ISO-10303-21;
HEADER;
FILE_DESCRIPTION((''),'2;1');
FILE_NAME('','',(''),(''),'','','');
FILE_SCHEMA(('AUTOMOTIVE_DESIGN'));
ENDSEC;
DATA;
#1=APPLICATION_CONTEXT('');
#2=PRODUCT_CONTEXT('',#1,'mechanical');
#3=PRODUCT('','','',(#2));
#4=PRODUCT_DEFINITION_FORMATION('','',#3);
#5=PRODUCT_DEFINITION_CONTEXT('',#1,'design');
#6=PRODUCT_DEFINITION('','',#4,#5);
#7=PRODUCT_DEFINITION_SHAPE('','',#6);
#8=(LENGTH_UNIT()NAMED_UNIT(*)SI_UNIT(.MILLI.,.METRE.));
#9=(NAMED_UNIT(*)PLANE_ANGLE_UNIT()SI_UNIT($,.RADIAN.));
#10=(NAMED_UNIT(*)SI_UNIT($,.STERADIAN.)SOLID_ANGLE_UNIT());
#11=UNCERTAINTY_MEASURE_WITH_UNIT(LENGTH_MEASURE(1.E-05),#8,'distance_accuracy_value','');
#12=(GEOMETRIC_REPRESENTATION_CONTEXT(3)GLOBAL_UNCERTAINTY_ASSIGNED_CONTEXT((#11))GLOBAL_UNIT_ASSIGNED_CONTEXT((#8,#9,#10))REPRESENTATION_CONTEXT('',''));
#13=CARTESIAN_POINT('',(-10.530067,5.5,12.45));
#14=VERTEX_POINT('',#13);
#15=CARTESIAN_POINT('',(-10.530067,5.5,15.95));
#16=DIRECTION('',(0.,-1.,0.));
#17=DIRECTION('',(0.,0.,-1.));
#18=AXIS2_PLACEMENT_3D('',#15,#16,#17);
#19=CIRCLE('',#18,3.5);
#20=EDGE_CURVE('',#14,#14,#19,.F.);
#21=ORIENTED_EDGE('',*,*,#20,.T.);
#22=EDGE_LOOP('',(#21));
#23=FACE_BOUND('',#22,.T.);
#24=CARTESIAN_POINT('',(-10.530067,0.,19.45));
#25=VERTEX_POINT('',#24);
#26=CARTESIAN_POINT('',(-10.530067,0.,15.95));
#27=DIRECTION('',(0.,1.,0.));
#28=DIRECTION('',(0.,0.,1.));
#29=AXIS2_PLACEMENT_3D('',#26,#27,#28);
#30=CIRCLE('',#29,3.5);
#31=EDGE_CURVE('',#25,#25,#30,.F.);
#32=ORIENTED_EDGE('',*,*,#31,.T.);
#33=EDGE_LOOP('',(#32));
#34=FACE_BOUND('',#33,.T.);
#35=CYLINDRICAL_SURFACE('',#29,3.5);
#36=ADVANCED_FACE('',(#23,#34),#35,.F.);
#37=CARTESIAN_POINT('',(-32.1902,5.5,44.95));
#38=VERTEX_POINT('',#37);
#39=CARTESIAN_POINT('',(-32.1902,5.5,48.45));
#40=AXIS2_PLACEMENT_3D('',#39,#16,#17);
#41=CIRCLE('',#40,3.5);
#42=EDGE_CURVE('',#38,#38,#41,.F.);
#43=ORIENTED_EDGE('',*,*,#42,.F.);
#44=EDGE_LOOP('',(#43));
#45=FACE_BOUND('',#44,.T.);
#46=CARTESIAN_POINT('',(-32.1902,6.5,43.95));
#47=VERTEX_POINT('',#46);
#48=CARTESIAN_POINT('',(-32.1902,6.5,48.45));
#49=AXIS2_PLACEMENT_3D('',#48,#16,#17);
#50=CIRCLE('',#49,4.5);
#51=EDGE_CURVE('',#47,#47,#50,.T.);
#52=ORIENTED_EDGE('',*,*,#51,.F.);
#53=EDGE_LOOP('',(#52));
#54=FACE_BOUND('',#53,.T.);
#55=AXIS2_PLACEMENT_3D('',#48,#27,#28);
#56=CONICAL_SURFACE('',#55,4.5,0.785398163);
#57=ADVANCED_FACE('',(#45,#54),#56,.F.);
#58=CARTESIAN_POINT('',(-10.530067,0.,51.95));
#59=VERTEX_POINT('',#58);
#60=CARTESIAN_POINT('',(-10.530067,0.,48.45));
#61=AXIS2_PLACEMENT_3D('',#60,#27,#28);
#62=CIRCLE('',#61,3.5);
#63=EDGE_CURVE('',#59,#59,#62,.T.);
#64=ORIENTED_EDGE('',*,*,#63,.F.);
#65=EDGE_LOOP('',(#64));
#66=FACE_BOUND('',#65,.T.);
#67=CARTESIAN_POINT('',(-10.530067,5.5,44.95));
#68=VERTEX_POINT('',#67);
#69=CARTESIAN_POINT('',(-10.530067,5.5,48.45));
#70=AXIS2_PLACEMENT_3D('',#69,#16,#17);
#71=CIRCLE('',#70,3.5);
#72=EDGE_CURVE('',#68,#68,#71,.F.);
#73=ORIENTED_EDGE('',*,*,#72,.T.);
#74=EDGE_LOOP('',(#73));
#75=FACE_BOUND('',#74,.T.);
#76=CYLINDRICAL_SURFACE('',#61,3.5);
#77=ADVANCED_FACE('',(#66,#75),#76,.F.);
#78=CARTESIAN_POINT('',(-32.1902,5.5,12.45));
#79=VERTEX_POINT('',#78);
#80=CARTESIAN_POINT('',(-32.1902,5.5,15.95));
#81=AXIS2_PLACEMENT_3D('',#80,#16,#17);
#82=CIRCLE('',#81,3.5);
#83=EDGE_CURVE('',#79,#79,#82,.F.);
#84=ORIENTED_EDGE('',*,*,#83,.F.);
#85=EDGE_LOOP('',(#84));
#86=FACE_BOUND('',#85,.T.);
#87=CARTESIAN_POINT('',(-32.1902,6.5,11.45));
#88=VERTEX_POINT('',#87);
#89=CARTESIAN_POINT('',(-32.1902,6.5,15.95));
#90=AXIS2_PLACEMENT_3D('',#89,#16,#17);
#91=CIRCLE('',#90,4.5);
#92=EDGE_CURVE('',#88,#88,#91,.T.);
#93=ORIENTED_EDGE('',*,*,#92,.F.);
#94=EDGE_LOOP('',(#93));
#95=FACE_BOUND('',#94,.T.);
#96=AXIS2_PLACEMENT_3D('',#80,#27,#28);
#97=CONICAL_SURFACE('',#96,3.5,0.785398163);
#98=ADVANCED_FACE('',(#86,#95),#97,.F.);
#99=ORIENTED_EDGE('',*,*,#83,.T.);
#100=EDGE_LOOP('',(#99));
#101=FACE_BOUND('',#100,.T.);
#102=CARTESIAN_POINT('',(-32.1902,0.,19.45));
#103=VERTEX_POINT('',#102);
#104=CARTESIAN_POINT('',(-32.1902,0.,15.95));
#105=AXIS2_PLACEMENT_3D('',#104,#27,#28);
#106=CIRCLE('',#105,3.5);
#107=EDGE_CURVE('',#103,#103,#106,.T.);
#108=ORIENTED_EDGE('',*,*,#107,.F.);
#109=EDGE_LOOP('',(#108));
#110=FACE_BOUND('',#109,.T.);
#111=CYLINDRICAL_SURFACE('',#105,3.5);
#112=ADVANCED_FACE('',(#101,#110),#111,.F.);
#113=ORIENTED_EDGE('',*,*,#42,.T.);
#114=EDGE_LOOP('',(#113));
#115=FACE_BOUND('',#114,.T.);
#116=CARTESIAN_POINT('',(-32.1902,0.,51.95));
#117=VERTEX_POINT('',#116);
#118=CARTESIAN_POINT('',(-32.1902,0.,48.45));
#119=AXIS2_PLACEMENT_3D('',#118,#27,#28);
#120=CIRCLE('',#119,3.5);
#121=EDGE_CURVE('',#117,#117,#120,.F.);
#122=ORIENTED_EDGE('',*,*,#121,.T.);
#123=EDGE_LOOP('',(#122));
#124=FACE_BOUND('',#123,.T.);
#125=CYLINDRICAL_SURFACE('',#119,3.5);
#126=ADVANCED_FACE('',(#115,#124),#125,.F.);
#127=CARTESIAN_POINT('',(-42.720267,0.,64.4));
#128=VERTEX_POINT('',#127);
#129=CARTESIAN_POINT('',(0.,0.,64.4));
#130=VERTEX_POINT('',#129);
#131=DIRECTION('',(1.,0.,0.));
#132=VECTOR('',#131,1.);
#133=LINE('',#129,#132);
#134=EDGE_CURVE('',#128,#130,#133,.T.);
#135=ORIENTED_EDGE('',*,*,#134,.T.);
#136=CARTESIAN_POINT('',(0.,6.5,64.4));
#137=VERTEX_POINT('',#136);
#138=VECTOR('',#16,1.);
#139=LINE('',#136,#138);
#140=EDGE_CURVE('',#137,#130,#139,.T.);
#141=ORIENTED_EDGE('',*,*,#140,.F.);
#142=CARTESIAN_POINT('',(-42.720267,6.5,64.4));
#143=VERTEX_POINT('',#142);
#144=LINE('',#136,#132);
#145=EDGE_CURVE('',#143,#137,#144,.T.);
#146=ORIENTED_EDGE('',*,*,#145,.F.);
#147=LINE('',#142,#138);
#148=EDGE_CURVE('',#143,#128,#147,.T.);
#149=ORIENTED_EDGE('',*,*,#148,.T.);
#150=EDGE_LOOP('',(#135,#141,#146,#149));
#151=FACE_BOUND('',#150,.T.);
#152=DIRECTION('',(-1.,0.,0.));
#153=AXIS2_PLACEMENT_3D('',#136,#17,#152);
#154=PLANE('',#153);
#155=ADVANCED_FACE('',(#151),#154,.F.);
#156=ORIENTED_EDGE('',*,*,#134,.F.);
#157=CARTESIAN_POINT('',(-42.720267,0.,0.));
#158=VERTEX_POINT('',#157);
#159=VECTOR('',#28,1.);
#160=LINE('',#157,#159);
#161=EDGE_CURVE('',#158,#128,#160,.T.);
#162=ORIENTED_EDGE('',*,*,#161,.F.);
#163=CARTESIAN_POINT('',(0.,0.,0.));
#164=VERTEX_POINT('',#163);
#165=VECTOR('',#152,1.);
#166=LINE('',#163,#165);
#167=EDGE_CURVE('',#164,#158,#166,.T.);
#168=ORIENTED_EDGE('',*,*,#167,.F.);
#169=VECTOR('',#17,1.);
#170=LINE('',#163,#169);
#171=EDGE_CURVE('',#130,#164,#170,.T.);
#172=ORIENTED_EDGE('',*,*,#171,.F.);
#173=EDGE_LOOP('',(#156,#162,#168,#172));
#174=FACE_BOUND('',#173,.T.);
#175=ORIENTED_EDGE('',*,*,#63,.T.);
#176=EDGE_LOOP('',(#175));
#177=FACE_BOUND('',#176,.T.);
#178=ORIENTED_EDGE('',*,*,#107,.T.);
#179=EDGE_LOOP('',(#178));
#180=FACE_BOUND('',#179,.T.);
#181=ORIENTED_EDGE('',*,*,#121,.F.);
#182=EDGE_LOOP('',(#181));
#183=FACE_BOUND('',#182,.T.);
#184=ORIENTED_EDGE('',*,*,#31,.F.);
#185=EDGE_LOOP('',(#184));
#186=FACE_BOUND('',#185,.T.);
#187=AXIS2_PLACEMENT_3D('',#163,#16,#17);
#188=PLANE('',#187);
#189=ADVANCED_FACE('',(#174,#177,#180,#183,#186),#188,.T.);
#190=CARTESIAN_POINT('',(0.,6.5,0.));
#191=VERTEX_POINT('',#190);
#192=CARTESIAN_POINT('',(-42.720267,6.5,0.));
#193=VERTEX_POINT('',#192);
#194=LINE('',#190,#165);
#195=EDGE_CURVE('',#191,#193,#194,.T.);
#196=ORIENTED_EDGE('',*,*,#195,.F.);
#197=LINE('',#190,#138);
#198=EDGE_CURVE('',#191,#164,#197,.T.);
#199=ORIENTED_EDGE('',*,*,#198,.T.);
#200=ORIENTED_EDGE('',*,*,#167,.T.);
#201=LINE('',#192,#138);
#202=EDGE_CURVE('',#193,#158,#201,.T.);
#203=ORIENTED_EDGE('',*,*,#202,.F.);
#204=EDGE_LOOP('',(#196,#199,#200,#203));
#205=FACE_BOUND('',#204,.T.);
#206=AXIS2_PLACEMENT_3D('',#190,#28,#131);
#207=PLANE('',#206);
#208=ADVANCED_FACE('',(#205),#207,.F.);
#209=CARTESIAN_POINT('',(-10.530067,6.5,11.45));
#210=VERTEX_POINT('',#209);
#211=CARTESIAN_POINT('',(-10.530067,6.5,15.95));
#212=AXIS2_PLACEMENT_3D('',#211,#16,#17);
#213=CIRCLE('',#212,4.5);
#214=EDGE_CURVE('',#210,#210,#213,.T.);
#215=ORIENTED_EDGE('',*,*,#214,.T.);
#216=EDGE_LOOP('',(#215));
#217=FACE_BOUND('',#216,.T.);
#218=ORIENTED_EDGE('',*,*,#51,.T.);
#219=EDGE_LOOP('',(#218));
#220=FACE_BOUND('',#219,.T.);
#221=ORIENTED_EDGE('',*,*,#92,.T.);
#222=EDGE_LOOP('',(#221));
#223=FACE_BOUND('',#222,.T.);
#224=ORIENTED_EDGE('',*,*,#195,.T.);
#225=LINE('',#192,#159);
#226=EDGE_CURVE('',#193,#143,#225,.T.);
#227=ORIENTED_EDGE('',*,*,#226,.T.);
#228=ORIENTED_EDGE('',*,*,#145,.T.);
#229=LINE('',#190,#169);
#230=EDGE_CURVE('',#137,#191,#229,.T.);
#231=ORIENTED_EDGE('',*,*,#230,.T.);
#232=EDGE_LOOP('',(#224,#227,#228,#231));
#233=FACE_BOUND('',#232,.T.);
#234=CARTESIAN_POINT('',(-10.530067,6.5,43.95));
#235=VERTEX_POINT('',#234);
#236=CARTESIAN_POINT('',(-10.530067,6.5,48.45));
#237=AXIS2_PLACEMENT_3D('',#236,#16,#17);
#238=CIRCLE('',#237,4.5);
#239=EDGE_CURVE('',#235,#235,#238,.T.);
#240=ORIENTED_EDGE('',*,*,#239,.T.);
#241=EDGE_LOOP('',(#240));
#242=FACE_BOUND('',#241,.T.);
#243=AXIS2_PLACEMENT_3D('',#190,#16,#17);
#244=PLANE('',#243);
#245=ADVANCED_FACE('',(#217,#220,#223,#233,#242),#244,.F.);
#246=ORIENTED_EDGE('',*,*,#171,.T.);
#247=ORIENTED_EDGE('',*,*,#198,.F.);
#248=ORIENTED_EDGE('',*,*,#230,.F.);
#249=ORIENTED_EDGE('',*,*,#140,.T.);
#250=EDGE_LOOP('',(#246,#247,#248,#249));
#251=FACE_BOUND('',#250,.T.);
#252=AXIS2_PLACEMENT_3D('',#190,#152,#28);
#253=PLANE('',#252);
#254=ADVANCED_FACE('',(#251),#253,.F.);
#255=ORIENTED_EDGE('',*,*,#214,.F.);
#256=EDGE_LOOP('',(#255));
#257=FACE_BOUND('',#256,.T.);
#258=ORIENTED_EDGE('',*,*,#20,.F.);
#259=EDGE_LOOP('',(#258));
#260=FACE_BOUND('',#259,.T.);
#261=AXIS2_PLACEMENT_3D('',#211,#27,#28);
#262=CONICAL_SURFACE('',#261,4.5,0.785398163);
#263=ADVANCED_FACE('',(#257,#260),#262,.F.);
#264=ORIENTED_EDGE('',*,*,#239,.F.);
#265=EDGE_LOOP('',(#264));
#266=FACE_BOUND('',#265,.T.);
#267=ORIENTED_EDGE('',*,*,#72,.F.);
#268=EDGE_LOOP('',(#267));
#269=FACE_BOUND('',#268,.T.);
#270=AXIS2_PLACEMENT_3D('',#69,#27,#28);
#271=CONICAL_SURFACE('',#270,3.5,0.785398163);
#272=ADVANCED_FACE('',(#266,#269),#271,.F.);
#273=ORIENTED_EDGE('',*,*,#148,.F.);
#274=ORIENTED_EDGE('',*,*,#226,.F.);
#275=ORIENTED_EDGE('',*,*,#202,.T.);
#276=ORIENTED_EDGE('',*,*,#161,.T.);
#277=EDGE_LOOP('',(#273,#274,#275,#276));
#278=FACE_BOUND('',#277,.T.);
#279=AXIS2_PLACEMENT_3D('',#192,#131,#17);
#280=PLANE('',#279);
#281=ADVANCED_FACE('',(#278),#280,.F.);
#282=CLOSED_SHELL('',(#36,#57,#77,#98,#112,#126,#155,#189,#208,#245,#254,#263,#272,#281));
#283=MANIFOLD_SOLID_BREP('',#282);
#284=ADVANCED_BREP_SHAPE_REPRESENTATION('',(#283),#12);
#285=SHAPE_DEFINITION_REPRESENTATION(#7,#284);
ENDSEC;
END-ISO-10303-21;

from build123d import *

# Parameters (mm, degrees)
SKETCH1_W           = 42.7202667
SKETCH1_H           = 64.4
BOSS_EXTRUDE1_DEPTH = 6.5
SKETCH2_R           = 3.5
CUT_EXTRUDE1_DEPTH  = 7.5
CHAMFER1_SIZE       = 1


with BuildPart() as part:
    # Sketch1 → Boss-Extrude1 (new body)
    with BuildSketch(Plane(origin=(0, 0, 0), x_dir=(1, 0, 0), z_dir=(0, 1, 0))):
        with Locations((-21.36013335, -32.2)):
            Rectangle(SKETCH1_W, SKETCH1_H)
    extrude(amount=BOSS_EXTRUDE1_DEPTH)

    # Sketch2 → Cut-Extrude1 (cut, through all)
    with BuildSketch(Plane(origin=(0, 6.5, 0), x_dir=(1, 0, 0), z_dir=(0, 1, 0))):
        with BuildLine():
            ThreePointArc((-35.690200025, -15.95), (-32.190200025, -19.45), (-28.690200025, -15.95))
            Line((-28.690200025, -15.95), (-35.690200025, -15.95))
        make_face()
        with BuildLine():
            Line((-35.690200025, -15.95), (-28.690200025, -15.95))
            ThreePointArc((-28.690200025, -15.95), (-32.190200025, -12.45), (-35.690200025, -15.95))
        make_face()
        with BuildLine():
            ThreePointArc((-7.030066675, -15.95), (-8.055192941, -13.475126266), (-10.530066675, -12.45))
            Line((-10.530066675, -12.45), (-10.530066675, -15.95))
            Line((-10.530066675, -15.95), (-7.030066675, -15.95))
        make_face()
        with BuildLine():
            Line((-10.530066675, -15.95), (-10.530066675, -12.45))
            ThreePointArc((-10.530066675, -12.45), (-13.004940409, -13.475126266), (-14.030066675, -15.95))
            Line((-14.030066675, -15.95), (-10.530066675, -15.95))
        make_face()
        with BuildLine():
            Line((-7.030066675, -15.95), (-10.530066675, -15.95))
            Line((-10.530066675, -15.95), (-10.530066675, -19.45))
            ThreePointArc((-10.530066675, -19.45), (-8.055192941, -18.424873734), (-7.030066675, -15.95))
        make_face()
        with BuildLine():
            Line((-10.530066675, -19.45), (-10.530066675, -15.95))
            Line((-10.530066675, -15.95), (-14.030066675, -15.95))
            ThreePointArc((-14.030066675, -15.95), (-13.004940409, -18.424873734), (-10.530066675, -19.45))
        make_face()
        with Locations((-32.190200025, -48.45)):
            Circle(SKETCH2_R)
        with BuildLine():
            ThreePointArc((-7.030066675, -48.45), (-8.055192941, -45.975126266), (-10.530066675, -44.95))
            Line((-10.530066675, -44.95), (-10.530066675, -51.95))
            ThreePointArc((-10.530066675, -51.95), (-8.055192941, -50.924873734), (-7.030066675, -48.45))
        make_face()
        with BuildLine():
            Line((-10.530066675, -51.95), (-10.530066675, -44.95))
            ThreePointArc((-10.530066675, -44.95), (-14.030066675, -48.45), (-10.530066675, -51.95))
        make_face()
    extrude(amount=-CUT_EXTRUDE1_DEPTH, mode=Mode.SUBTRACT)

    # Chamfer1
    chamfer1_edges = [part.edges().sort_by_distance(p)[0] for p in [
        (-10.530066675, 6.5, 44.95),
        (-35.690200025, 6.5, 48.45),
        (-28.690200025, 6.5, 15.95),
        (-10.530066675, 6.5, 12.45),
    ]]
    chamfer(chamfer1_edges, length=CHAMFER1_SIZE)


solid = part.part
